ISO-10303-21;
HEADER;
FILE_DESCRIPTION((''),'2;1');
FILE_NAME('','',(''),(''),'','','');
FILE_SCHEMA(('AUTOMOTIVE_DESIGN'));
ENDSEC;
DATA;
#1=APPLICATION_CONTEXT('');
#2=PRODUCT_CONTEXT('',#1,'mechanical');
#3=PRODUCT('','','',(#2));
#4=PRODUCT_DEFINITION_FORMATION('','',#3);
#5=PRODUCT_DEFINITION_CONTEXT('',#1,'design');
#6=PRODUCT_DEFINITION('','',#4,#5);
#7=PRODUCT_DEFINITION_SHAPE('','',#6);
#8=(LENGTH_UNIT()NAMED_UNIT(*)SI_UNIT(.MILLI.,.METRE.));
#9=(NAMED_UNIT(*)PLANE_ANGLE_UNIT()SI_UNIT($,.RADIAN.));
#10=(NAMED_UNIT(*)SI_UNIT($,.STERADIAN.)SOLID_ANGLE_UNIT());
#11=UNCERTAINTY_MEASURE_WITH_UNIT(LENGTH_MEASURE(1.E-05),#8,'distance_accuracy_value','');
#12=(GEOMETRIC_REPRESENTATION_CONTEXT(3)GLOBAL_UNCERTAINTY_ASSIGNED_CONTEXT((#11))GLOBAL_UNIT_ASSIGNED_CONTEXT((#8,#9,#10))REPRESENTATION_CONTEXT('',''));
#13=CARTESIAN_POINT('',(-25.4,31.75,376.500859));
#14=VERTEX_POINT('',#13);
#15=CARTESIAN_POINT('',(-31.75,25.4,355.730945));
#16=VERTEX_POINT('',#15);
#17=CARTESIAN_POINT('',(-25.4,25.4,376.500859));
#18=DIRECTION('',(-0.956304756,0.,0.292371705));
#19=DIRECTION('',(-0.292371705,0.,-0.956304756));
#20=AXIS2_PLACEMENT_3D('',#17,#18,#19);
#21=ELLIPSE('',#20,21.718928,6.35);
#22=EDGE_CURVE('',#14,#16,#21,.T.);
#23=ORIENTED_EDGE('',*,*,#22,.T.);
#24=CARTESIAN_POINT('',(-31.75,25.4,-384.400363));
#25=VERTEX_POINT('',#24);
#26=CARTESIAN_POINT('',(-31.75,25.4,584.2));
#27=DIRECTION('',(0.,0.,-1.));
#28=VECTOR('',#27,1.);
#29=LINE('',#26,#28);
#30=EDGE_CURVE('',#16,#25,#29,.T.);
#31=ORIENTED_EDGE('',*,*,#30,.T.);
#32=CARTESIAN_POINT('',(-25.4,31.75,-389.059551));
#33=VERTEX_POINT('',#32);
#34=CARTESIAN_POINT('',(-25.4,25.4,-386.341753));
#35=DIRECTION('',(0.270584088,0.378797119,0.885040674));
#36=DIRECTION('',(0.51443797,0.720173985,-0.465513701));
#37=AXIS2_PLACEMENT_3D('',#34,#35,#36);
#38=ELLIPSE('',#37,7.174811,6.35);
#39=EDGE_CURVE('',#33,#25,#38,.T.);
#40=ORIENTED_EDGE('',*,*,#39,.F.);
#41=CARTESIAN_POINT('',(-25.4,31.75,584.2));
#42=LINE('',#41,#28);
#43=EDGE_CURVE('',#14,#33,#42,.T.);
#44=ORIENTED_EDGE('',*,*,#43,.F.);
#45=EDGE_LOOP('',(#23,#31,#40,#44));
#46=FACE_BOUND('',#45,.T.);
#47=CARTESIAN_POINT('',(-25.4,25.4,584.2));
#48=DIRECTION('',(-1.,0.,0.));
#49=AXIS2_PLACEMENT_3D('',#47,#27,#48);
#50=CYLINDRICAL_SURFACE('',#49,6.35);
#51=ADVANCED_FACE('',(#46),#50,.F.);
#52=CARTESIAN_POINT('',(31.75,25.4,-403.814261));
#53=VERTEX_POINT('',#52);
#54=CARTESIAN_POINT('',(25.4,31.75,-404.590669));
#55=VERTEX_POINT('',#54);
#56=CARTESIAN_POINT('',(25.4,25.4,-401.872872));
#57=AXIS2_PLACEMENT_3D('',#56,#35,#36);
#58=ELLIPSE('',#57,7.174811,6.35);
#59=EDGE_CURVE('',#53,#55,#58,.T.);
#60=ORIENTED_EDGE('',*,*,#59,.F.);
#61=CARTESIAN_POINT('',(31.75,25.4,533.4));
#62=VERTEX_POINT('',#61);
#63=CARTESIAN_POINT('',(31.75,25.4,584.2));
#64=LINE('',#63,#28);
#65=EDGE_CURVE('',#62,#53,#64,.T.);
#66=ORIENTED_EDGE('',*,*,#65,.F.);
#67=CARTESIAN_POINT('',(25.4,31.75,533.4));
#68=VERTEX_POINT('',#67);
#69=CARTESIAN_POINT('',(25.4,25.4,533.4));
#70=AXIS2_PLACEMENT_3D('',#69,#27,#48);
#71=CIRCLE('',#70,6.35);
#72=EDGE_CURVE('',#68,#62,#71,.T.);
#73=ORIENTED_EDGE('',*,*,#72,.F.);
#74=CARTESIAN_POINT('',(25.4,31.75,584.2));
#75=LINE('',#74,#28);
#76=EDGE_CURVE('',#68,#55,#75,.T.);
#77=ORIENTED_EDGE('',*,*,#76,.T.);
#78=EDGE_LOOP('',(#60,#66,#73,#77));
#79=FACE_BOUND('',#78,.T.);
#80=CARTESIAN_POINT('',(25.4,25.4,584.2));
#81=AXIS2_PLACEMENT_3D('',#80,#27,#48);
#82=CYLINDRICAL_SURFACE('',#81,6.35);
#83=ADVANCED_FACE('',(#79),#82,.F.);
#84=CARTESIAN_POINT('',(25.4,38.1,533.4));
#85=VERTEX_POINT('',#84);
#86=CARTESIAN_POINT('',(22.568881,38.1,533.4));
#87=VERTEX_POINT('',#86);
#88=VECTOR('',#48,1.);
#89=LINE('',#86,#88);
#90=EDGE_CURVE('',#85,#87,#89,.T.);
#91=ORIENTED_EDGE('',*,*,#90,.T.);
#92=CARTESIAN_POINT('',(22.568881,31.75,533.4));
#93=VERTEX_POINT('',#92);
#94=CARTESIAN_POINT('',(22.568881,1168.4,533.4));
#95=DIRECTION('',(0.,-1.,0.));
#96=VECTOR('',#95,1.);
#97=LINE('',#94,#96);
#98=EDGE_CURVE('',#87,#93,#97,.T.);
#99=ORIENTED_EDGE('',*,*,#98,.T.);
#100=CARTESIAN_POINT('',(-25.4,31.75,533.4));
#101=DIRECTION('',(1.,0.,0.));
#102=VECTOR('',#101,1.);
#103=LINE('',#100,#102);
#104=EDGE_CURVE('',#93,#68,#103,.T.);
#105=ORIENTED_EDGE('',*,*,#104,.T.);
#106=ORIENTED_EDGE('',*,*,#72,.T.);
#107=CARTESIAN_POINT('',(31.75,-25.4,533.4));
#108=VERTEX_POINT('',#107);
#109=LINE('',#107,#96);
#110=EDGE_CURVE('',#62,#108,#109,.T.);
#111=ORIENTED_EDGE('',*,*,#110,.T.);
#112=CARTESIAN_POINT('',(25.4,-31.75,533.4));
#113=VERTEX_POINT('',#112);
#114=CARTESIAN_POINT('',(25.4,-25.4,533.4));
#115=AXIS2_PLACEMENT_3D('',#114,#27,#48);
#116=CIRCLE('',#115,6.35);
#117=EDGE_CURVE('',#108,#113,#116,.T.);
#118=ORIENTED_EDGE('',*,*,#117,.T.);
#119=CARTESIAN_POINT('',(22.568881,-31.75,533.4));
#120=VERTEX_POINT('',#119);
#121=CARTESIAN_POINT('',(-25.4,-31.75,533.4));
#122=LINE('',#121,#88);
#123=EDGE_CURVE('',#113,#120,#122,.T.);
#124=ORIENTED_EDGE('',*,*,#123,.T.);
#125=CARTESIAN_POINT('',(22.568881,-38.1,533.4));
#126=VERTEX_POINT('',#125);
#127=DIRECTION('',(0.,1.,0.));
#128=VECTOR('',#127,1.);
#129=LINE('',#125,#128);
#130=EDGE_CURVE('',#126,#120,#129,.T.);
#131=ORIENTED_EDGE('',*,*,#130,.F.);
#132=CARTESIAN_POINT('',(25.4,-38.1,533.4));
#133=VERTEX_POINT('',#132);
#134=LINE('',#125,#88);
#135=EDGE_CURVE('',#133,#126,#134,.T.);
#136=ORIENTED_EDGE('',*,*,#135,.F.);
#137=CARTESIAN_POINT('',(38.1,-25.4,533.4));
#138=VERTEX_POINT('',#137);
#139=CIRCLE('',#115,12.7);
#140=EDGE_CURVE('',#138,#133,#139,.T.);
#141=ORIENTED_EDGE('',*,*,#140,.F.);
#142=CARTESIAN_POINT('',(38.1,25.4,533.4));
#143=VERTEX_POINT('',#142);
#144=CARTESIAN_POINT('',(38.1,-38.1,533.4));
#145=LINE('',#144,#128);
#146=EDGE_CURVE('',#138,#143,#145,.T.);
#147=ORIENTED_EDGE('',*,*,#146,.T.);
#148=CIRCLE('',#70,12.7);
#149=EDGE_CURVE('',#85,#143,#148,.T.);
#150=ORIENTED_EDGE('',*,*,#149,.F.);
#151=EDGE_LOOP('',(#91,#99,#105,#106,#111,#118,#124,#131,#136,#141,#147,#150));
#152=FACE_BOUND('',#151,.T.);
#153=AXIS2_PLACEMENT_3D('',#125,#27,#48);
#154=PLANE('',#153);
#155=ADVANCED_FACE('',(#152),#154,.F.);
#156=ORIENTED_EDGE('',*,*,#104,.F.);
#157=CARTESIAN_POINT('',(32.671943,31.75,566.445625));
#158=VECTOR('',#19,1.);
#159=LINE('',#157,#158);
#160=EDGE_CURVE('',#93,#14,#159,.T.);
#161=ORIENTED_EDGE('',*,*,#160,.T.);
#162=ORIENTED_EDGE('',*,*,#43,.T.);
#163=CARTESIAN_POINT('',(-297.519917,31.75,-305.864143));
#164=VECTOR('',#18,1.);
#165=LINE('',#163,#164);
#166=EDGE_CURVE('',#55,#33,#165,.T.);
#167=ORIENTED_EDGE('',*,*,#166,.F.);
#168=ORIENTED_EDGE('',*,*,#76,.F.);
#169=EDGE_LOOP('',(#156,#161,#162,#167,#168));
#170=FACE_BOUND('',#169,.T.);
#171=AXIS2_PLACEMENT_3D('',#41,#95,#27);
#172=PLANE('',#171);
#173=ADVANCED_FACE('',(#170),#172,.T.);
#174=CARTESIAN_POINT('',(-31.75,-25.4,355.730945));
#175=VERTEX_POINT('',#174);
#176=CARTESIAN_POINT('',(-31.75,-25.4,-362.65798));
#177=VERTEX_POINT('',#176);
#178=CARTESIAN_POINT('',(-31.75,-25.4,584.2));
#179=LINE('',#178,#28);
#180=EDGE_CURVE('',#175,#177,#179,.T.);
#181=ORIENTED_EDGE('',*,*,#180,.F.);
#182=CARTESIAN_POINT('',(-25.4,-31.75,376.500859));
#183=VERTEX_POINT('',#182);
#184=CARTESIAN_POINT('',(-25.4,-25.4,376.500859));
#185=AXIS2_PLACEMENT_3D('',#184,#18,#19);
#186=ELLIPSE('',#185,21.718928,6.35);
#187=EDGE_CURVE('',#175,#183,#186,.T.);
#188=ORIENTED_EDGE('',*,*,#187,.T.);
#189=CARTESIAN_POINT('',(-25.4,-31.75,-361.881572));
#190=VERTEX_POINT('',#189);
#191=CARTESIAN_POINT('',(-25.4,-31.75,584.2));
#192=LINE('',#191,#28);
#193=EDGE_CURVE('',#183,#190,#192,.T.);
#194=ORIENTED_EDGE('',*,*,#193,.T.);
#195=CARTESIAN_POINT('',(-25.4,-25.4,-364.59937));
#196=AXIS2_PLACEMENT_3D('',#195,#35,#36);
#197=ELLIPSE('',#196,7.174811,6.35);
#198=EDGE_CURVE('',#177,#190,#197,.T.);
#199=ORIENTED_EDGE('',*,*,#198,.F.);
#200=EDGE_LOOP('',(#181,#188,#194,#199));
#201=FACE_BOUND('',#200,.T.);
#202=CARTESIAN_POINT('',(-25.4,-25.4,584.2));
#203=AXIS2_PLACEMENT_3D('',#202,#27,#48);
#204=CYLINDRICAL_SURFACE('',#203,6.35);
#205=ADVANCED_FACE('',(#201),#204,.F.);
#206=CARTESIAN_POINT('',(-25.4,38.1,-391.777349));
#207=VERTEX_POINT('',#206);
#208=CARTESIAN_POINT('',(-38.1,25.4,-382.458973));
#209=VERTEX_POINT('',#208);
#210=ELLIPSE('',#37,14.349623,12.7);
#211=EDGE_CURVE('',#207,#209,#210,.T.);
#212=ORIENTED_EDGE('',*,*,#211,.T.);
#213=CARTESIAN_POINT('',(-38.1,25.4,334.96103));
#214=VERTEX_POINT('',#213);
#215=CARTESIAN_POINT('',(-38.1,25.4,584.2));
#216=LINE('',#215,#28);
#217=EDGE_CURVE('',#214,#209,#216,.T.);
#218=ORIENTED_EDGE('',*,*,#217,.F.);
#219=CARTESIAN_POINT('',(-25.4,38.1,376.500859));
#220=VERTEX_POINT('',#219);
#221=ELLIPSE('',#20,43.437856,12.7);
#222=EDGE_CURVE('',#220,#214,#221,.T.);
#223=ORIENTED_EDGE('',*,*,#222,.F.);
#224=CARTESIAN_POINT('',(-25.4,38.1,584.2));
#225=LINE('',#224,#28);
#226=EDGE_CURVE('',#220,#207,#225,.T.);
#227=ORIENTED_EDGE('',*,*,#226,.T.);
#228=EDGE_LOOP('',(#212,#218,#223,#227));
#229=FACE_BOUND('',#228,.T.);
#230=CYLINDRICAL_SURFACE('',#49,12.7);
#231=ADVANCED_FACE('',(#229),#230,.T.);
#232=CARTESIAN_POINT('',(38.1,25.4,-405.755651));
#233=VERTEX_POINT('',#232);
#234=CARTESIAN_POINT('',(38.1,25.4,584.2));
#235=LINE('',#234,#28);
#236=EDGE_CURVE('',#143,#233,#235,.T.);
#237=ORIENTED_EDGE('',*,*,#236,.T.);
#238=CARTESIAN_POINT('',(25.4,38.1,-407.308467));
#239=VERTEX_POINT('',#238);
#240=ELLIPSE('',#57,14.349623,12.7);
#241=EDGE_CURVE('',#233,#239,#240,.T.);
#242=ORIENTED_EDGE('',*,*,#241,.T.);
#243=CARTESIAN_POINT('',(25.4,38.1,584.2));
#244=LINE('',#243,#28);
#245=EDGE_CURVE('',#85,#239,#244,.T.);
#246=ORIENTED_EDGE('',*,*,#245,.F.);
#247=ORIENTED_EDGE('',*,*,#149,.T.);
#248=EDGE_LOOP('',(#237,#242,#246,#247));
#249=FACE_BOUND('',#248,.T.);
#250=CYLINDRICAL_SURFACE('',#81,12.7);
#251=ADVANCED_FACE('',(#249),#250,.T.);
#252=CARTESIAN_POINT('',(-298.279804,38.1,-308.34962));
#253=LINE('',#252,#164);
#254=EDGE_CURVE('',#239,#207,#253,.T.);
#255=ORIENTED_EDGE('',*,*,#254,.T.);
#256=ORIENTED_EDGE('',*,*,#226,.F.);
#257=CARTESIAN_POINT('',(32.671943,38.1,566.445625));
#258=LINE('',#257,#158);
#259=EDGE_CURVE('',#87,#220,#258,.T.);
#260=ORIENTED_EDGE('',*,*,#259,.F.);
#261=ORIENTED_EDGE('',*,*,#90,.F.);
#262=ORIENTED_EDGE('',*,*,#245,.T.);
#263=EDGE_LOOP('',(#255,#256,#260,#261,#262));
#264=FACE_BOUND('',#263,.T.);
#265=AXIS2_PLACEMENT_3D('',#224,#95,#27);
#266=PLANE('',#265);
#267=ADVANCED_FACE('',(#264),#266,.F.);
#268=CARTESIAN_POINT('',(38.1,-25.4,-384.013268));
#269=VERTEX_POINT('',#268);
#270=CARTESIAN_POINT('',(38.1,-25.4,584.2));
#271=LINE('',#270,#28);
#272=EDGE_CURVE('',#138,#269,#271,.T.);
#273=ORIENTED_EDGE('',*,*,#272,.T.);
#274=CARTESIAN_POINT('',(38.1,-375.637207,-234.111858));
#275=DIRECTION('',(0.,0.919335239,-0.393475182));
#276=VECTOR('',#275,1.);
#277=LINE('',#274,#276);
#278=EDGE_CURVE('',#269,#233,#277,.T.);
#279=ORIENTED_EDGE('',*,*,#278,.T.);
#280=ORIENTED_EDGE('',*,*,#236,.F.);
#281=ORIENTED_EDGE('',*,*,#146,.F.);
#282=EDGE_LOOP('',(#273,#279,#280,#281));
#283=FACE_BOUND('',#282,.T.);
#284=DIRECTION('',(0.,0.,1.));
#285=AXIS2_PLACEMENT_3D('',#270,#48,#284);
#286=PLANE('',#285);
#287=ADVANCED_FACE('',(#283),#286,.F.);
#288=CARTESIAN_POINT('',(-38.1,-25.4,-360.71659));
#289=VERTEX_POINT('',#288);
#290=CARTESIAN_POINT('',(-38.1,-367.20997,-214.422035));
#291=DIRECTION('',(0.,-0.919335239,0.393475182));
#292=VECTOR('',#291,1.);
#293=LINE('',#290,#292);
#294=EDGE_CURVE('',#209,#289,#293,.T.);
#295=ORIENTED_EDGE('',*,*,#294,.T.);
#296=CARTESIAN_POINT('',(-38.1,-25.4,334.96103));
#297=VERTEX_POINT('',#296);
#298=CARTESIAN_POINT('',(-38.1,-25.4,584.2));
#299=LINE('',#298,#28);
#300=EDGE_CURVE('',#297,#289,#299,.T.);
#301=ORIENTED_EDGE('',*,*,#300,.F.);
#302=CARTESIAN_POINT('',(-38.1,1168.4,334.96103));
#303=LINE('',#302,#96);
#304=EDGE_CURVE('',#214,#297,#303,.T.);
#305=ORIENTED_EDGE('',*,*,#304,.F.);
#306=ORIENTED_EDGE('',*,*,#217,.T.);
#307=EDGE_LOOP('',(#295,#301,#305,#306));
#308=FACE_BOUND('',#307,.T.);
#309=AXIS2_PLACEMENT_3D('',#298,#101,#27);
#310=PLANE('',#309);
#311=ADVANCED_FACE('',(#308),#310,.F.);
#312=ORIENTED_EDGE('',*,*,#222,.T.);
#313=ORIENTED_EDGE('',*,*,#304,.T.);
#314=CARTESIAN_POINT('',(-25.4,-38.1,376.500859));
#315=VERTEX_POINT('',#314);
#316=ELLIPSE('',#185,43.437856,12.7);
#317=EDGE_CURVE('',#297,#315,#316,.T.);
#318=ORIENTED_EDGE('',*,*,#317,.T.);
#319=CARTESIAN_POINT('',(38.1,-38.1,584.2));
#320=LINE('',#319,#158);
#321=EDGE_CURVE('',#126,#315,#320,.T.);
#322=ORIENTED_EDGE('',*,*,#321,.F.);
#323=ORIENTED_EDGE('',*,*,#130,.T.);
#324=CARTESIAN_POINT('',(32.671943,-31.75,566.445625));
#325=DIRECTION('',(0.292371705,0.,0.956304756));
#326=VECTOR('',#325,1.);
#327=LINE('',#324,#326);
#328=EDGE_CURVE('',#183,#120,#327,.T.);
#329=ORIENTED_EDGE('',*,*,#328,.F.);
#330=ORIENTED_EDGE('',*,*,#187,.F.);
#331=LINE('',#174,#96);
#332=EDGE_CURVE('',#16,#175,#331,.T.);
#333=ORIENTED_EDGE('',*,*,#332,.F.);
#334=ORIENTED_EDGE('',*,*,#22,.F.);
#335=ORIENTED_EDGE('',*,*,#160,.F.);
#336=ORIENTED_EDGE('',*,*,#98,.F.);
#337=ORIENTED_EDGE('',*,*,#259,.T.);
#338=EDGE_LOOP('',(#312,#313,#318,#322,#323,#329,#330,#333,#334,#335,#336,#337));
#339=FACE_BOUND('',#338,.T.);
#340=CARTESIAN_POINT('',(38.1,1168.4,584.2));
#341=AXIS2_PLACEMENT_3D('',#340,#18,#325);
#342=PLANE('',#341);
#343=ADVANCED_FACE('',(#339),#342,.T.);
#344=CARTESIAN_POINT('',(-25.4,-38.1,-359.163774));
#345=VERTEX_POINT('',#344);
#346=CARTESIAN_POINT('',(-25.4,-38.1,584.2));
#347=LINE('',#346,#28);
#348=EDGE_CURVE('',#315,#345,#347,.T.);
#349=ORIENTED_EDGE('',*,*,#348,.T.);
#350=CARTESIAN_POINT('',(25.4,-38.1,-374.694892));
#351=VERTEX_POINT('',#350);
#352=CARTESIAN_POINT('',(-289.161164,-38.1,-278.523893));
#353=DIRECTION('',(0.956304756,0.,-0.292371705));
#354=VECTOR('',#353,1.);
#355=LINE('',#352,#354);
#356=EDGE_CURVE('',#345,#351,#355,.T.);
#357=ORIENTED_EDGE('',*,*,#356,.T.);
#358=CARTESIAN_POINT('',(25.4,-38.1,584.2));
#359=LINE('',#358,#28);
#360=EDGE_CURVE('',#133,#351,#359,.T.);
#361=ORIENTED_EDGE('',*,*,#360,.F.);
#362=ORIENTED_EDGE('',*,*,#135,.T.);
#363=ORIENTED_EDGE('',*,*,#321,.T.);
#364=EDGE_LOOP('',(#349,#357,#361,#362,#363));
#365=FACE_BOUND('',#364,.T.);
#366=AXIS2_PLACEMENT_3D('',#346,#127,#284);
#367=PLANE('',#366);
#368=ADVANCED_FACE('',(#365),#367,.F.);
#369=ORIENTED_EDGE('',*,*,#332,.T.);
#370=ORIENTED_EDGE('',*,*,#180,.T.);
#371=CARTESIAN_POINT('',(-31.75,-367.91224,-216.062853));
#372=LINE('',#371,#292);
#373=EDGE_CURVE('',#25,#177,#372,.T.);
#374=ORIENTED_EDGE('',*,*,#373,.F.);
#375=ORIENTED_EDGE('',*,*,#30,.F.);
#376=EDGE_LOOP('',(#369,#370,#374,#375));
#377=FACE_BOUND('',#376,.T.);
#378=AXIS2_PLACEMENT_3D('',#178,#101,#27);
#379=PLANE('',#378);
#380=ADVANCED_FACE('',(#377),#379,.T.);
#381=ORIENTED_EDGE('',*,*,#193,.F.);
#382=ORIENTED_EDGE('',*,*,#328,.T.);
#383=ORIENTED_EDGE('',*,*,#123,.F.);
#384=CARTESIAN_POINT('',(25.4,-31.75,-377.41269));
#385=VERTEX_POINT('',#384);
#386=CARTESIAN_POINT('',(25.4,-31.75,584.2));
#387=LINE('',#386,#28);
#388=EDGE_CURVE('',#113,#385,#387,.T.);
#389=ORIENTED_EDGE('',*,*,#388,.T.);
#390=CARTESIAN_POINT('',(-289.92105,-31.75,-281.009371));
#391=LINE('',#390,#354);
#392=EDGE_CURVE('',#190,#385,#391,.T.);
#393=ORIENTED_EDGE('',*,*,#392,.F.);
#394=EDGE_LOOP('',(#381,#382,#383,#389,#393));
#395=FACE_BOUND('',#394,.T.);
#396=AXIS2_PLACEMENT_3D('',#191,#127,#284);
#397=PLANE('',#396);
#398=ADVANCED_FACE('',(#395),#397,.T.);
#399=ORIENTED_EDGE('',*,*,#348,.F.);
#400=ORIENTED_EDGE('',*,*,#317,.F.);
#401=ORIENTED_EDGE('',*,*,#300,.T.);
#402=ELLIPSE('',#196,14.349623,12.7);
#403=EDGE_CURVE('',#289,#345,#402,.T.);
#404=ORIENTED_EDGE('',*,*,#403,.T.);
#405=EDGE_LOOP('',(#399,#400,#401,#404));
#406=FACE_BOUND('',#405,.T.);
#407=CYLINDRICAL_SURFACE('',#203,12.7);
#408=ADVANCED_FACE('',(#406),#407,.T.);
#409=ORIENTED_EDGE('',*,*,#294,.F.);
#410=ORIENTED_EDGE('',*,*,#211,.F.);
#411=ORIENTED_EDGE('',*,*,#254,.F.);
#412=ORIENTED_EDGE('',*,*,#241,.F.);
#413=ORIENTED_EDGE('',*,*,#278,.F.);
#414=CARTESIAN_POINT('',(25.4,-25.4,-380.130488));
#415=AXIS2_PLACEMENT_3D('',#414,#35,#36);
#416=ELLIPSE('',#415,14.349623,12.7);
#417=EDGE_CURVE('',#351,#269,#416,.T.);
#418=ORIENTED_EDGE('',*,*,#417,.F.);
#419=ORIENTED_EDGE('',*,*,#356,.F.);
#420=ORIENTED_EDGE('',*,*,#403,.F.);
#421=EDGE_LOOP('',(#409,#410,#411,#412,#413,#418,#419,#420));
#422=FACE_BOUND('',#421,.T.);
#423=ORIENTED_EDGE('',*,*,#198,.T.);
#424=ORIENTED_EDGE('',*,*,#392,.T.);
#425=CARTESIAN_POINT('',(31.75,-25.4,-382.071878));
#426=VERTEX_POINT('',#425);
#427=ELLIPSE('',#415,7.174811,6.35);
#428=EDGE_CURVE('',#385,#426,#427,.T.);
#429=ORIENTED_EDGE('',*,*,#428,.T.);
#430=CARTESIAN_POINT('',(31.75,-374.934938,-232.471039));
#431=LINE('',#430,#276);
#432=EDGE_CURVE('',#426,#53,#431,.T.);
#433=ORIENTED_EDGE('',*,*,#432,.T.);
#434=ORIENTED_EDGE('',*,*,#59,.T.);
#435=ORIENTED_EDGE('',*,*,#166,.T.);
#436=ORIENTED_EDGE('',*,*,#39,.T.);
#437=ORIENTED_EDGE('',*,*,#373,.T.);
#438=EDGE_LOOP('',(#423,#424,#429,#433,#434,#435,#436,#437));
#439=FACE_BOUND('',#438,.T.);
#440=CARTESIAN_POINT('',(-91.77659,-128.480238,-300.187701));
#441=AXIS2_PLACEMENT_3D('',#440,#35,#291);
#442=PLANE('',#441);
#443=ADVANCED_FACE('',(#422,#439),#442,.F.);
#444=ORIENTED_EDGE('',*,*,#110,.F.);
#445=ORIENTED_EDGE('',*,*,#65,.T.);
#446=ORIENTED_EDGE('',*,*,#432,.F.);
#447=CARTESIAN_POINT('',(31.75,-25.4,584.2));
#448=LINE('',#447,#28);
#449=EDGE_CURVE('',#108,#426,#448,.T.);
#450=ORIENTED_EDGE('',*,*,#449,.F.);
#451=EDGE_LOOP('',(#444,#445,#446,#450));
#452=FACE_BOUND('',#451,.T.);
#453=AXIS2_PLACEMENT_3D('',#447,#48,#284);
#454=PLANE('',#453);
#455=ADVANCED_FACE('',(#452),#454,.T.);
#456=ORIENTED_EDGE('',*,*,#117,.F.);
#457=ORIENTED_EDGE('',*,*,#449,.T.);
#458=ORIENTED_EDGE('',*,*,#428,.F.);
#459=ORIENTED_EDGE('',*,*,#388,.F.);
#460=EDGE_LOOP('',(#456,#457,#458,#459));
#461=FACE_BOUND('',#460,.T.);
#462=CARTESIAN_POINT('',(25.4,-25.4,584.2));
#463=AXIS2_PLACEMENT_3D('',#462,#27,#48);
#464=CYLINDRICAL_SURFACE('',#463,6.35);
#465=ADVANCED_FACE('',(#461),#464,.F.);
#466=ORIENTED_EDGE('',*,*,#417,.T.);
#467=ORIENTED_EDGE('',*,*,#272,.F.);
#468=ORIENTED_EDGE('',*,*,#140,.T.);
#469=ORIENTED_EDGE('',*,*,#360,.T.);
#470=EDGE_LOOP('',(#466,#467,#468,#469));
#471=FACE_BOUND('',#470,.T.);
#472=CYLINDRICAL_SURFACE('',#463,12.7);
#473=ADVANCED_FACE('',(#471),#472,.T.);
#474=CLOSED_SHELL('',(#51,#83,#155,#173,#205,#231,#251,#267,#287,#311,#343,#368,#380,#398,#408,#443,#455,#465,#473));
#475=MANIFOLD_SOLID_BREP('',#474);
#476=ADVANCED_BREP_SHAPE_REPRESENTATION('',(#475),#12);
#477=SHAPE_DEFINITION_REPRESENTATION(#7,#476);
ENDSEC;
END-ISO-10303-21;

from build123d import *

# Parameters (mm, degrees)
BOSS_EXTRUDE1_DEPTH     = 584.2
CUT_EXTRUDE1_DEPTH      = 1168.4
CUT_EXTRUDE1_DEPTH_BACK = 587.679520693
CUT_EXTRUDE2_DEPTH      = 587.679520693
CUT_EXTRUDE2_DEPTH_BACK = 587.679520693
CUT_EXTRUDE3_DEPTH      = 591.379276398


with BuildPart() as part:
    # Sketch1 → Boss-Extrude1 (new, symmetric)
    with BuildSketch(Plane.XY):
        with BuildLine():
            Line((-25.4, -38.1), (25.4, -38.1))
            ThreePointArc((25.4, -38.1), (34.380256121, -34.380256121), (38.1, -25.4))
            Line((38.1, -25.4), (38.1, 25.4))
            ThreePointArc((38.1, 25.4), (34.380256121, 34.380256121), (25.4, 38.1))
            Line((25.4, 38.1), (-25.4, 38.1))
            ThreePointArc((-25.4, 38.1), (-34.380256121, 34.380256121), (-38.1, 25.4))
            Line((-38.1, 25.4), (-38.1, -25.4))
            ThreePointArc((-38.1, -25.4), (-34.380256121, -34.380256121), (-25.4, -38.1))
        make_face()
        with BuildLine():
            Line((-25.4, 31.75), (25.4, 31.75))
            ThreePointArc((25.4, 31.75), (29.890128061, 29.890128061), (31.75, 25.4))
            Line((31.75, 25.4), (31.75, -25.4))
            ThreePointArc((31.75, -25.4), (29.890128061, -29.890128061), (25.4, -31.75))
            Line((25.4, -31.75), (-25.4, -31.75))
            ThreePointArc((-25.4, -31.75), (-29.890128061, -29.890128061), (-31.75, -25.4))
            Line((-31.75, -25.4), (-31.75, 25.4))
            ThreePointArc((-31.75, 25.4), (-29.890128061, 29.890128061), (-25.4, 31.75))
        make_face(mode=Mode.SUBTRACT)
    extrude(amount=BOSS_EXTRUDE1_DEPTH, both=True)

    # Sketch2 → Cut-Extrude1 (cut, two sides: drawn at the far end of the back side and taken through both)
    with BuildSketch(Plane(origin=(0, 0, 0), x_dir=(1, 0, 0), z_dir=(0, 1, 0)).offset(-CUT_EXTRUDE1_DEPTH_BACK)):
        Polygon((-38.1, -584.2), (38.1, -584.2), (-38.1, -334.961030472), align=None)
    extrude(amount=CUT_EXTRUDE1_DEPTH + CUT_EXTRUDE1_DEPTH_BACK, mode=Mode.SUBTRACT)

    # Sketch3 → Cut-Extrude2 (cut, two sides: drawn at the far end of the back side and taken through both)
    with BuildSketch(Plane(origin=(0, 0, 0), x_dir=(0, 0, -1), z_dir=(1, 0, 0)).offset(-CUT_EXTRUDE2_DEPTH_BACK)):
        Polygon((529.224802616, 234.912944521), (393.7, -38.1), (621.210787101, -151.037335513), (756.735589716, 121.975609008), align=None)
    extrude(amount=CUT_EXTRUDE2_DEPTH + CUT_EXTRUDE2_DEPTH_BACK, mode=Mode.SUBTRACT)

    # Sketch4 → Cut-Extrude3 (cut, through all)
    with BuildSketch(Plane(origin=(0, 38.1, 0), x_dir=(1, 0, 0), z_dir=(0, 1, 0))):
        Polygon((22.568881382, -533.4), (38.1, -533.4), (38.1, -584.2), align=None)
    extrude(amount=-CUT_EXTRUDE3_DEPTH, mode=Mode.SUBTRACT)

    # SurfaceCut1
    split(bisect_by=Plane(origin=(-91.776590451, -128.480237958, -300.187701194), x_dir=(0.9626963442251767, -0.1064681232735412, -0.24875748740910325), z_dir=(0.2705840882525802, 0.37879711890625634, 0.885040673581073)), keep=Keep.TOP)


solid = part.part
